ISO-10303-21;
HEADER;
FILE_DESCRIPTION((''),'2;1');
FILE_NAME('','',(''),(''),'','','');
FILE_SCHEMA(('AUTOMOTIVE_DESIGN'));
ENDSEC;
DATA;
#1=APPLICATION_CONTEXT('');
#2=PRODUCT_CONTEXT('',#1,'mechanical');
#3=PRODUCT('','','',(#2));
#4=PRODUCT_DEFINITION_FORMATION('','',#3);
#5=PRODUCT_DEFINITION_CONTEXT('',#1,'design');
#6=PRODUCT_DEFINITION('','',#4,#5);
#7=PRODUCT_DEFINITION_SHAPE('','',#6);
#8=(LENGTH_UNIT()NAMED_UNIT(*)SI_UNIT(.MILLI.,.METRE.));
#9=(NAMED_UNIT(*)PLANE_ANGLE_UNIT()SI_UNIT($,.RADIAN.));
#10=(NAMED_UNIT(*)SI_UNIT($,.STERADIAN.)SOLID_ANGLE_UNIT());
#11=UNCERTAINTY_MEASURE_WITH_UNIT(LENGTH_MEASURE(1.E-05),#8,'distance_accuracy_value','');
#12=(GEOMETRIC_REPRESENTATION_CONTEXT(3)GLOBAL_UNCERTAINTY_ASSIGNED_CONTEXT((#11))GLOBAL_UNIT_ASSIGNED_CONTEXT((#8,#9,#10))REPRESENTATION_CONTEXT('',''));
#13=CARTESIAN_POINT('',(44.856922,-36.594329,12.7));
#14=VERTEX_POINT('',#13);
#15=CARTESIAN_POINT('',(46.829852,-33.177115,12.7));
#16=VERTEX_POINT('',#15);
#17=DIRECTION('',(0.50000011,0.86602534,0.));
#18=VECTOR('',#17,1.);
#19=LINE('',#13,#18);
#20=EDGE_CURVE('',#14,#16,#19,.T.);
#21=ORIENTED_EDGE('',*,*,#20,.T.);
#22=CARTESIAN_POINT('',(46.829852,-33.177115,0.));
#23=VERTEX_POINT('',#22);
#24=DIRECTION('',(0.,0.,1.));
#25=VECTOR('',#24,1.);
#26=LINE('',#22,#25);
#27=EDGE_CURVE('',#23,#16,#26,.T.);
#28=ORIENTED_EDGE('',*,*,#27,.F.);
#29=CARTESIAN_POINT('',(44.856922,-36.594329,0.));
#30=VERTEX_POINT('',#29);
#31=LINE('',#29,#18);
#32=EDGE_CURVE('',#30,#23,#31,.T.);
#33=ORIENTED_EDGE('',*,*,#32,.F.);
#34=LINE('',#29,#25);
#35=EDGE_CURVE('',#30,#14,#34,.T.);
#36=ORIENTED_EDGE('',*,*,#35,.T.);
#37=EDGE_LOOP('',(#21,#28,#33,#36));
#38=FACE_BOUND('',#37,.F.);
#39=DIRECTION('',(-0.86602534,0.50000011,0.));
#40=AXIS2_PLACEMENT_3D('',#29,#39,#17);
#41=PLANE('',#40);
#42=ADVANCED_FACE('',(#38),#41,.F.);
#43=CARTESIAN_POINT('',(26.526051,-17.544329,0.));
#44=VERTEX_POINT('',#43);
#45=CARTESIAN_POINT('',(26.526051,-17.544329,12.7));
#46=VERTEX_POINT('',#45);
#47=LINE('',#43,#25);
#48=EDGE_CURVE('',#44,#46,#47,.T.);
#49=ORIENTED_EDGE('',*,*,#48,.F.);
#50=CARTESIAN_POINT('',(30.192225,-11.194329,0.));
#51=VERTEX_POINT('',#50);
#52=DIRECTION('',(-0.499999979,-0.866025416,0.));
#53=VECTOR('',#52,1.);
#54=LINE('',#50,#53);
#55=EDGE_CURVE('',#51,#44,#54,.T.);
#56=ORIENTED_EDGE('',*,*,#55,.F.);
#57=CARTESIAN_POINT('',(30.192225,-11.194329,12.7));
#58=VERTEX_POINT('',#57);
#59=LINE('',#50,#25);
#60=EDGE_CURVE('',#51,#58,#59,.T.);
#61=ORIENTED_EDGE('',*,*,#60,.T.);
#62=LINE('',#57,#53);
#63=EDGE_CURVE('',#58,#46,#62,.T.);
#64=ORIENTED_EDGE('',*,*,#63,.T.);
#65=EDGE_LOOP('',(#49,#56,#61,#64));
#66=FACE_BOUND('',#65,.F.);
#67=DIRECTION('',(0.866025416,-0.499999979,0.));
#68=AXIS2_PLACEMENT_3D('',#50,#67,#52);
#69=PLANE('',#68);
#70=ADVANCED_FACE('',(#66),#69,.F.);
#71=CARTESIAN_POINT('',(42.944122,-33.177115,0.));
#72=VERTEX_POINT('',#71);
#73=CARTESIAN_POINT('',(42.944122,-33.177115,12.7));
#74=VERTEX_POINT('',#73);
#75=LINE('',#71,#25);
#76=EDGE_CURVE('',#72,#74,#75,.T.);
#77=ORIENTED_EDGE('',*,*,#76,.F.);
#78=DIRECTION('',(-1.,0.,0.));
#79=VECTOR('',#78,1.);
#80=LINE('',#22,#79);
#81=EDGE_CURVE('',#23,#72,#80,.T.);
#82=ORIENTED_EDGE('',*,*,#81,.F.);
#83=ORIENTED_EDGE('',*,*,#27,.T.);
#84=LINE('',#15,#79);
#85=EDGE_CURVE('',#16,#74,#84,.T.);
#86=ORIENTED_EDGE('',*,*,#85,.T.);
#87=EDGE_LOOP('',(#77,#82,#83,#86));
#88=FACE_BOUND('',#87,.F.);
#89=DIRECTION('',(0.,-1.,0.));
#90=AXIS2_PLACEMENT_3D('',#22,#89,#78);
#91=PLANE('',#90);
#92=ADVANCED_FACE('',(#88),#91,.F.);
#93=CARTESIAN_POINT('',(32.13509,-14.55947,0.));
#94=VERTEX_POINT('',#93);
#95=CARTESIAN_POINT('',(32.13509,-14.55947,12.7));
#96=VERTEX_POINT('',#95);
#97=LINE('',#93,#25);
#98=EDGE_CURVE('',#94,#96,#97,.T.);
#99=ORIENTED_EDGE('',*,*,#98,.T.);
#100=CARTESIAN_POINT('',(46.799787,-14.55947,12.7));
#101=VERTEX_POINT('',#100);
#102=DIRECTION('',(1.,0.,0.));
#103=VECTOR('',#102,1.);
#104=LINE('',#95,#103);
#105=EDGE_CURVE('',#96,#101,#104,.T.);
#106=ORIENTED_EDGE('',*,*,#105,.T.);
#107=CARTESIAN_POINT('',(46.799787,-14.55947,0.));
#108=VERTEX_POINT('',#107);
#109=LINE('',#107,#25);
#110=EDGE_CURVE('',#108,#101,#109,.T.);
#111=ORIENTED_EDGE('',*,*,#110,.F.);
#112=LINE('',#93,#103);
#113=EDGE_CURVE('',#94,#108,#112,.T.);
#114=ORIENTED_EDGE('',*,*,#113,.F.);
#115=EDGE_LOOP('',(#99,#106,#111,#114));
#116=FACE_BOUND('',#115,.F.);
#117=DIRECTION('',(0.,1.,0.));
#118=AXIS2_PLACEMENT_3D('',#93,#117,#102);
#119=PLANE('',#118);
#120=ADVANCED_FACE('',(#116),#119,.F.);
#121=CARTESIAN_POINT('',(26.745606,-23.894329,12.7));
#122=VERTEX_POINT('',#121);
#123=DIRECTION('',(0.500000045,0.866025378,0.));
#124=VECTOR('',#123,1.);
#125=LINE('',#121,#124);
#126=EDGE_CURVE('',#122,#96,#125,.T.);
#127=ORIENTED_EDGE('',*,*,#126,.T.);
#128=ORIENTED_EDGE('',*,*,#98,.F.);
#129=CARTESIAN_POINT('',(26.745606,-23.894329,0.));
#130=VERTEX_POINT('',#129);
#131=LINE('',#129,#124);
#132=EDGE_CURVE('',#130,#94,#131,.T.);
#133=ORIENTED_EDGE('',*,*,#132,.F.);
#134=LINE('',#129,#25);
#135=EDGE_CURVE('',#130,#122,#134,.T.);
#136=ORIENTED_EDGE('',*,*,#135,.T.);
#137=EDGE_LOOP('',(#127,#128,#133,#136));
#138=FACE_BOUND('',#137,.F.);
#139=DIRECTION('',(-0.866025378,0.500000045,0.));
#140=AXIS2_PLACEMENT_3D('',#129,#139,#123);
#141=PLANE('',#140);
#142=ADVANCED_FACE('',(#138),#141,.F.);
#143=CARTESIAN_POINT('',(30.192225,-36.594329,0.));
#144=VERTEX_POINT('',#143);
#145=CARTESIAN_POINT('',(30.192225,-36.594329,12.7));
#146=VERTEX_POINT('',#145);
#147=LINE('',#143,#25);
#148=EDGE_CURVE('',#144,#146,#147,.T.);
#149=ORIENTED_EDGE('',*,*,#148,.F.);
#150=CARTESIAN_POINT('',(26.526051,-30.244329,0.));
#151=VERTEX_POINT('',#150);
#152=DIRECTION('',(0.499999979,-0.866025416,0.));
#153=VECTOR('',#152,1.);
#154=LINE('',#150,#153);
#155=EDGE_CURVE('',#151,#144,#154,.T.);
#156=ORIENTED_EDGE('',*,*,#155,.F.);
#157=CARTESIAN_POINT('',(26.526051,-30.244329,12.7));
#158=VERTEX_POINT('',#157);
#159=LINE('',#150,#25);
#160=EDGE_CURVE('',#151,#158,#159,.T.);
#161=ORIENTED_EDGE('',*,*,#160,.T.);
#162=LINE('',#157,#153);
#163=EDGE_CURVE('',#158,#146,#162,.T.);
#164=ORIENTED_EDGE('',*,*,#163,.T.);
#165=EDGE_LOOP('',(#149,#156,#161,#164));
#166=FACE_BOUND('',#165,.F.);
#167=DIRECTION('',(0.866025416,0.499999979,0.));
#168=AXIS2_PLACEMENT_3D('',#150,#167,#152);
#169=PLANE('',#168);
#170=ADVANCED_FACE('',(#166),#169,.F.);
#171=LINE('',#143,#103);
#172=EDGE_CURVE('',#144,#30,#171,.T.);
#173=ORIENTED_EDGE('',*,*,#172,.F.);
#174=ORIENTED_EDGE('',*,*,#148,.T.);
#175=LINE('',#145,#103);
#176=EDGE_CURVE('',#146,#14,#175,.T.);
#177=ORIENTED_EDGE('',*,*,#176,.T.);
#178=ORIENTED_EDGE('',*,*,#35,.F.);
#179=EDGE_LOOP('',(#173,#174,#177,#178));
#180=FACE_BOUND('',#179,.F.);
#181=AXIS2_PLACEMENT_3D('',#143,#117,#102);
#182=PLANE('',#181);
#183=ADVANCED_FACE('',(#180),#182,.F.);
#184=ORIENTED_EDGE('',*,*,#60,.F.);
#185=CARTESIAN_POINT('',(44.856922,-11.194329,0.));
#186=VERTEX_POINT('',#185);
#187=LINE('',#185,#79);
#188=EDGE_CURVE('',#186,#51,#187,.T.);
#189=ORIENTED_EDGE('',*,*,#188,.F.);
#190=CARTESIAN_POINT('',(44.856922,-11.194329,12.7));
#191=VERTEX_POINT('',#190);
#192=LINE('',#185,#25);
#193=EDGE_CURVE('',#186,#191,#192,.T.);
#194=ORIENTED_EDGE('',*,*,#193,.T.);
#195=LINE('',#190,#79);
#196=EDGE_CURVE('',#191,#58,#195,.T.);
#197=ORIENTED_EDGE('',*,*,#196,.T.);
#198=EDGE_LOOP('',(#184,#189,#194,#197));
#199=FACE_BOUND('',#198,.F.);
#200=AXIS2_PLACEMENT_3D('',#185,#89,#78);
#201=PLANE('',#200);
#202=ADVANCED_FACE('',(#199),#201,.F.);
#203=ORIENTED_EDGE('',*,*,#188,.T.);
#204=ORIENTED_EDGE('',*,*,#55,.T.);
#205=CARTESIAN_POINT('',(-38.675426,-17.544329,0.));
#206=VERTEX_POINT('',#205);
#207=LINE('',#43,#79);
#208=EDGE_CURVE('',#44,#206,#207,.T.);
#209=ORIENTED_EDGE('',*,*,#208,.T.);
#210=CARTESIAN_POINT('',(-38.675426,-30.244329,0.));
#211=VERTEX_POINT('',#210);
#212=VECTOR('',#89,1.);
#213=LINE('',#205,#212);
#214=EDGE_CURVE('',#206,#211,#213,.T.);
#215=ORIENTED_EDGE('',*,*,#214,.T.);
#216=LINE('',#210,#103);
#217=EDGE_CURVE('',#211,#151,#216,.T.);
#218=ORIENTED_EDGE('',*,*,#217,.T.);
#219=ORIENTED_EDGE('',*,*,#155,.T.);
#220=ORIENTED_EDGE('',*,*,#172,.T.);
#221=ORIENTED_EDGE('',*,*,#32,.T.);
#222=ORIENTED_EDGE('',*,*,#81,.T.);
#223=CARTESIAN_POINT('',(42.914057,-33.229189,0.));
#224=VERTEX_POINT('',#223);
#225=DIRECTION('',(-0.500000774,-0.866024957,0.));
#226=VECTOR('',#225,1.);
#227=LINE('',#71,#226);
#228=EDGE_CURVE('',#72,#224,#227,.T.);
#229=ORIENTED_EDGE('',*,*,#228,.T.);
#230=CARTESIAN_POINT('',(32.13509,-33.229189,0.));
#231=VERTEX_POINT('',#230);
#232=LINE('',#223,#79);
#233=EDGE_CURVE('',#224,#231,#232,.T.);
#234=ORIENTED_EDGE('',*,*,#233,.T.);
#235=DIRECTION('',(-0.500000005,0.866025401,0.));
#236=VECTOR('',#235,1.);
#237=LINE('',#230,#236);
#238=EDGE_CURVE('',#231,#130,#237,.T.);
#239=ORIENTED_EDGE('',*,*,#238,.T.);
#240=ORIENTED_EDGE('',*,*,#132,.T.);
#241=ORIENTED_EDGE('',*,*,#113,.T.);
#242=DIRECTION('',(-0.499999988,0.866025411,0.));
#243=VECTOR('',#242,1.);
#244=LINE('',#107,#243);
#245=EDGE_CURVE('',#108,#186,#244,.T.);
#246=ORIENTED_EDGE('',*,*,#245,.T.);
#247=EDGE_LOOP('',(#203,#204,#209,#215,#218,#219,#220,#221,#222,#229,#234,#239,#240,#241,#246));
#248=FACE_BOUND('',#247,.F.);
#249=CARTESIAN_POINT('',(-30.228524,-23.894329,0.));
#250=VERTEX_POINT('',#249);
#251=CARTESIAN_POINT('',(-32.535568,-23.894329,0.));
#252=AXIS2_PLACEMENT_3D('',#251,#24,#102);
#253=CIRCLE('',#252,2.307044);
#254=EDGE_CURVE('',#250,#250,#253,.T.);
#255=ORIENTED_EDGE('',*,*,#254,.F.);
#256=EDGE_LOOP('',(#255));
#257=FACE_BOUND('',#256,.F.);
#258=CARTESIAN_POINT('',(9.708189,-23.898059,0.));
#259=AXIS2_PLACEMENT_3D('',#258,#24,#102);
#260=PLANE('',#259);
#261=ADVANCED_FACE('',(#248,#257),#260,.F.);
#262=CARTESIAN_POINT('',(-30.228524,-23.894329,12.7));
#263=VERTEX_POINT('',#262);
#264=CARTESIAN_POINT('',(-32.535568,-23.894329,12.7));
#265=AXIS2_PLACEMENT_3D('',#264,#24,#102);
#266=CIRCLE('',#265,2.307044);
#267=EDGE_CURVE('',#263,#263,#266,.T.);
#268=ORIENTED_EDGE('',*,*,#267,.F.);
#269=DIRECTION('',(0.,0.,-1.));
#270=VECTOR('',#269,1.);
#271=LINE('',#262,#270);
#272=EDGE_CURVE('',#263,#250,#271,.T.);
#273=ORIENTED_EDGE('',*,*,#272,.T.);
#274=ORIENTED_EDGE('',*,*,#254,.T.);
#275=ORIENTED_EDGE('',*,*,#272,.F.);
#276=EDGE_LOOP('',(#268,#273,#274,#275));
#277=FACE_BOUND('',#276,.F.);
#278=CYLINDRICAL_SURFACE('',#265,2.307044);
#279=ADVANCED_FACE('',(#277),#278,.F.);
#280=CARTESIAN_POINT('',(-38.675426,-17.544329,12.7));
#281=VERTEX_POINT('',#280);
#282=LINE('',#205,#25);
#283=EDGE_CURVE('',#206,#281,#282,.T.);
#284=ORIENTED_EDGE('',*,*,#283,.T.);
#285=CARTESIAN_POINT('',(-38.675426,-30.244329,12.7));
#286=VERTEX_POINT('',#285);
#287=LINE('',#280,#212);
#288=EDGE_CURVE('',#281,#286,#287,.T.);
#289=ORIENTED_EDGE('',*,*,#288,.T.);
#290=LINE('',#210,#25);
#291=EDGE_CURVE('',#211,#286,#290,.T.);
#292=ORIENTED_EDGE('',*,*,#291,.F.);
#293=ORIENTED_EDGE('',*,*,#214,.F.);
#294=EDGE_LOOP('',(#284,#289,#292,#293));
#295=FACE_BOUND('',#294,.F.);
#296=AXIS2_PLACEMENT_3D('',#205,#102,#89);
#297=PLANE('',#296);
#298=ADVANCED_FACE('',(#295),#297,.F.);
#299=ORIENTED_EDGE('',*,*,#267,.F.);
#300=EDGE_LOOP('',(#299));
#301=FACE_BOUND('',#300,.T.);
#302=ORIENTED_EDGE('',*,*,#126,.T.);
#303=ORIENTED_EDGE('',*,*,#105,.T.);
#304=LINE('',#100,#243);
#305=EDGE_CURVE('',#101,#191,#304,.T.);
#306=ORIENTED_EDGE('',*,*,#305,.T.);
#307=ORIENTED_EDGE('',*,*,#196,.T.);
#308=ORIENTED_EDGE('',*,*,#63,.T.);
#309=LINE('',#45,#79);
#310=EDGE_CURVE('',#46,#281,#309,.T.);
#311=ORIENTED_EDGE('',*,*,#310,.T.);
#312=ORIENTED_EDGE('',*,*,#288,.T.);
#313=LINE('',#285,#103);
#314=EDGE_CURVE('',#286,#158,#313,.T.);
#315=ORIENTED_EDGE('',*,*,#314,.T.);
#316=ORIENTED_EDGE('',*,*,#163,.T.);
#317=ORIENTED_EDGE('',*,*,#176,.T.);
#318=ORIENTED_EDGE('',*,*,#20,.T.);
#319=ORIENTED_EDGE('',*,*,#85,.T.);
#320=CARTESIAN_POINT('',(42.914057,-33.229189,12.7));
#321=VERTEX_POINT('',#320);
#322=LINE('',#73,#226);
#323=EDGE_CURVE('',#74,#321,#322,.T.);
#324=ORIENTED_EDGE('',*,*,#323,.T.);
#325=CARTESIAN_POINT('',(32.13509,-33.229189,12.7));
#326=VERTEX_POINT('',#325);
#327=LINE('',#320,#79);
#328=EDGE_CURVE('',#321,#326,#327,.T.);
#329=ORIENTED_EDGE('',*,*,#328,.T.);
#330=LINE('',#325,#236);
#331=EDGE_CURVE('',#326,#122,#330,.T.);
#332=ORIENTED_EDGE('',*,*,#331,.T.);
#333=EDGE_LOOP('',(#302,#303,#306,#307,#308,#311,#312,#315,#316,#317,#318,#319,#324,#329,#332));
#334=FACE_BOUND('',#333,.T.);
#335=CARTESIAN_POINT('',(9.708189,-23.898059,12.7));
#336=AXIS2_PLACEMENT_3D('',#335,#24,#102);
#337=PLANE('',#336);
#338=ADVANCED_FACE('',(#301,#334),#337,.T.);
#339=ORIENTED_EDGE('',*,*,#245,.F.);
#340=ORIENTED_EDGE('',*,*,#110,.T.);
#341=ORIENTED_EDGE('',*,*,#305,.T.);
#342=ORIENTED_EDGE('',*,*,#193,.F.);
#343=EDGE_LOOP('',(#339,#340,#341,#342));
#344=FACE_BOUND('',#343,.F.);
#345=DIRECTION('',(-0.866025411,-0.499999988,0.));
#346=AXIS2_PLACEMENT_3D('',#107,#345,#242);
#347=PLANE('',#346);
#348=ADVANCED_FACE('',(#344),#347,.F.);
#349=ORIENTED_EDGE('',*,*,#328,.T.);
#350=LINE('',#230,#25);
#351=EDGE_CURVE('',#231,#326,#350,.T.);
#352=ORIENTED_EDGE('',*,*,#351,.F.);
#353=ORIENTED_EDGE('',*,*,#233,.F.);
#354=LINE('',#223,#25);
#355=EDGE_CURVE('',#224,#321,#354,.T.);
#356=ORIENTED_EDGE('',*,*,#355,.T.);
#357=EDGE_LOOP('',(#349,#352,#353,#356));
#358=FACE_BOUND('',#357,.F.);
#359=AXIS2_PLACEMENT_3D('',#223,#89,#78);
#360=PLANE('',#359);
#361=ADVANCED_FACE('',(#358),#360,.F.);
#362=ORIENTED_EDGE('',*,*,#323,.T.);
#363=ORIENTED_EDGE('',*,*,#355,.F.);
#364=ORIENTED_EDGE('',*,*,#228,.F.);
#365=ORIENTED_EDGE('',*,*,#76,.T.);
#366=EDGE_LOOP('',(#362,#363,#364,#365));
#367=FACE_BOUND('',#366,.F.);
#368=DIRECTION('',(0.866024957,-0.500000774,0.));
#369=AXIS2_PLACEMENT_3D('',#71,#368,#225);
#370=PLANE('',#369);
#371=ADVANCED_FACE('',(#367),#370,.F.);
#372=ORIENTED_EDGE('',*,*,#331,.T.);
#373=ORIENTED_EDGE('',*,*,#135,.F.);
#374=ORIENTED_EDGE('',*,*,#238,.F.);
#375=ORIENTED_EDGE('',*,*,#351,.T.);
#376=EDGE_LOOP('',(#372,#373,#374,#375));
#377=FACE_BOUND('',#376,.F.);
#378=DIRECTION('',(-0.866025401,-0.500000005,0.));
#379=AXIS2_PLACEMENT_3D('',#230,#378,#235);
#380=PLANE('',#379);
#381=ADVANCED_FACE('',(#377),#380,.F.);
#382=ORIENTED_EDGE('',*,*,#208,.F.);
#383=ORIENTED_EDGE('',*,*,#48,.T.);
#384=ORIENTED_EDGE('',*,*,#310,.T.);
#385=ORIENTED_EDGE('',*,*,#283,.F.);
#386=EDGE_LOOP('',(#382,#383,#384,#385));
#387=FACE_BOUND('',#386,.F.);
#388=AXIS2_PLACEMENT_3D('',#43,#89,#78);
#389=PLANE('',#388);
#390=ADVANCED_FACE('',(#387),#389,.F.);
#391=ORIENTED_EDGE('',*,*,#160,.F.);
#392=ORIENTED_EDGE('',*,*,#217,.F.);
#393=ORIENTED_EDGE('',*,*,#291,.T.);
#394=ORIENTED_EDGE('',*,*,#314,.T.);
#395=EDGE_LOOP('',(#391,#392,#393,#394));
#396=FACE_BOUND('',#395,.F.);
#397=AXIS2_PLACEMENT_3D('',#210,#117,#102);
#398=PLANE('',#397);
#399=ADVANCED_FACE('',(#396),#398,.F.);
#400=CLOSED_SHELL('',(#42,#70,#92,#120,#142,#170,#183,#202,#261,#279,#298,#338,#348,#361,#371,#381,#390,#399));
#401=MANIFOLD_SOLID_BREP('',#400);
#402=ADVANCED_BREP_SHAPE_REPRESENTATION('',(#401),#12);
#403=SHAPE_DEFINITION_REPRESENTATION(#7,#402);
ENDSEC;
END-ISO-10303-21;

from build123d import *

# Parameters (mm, degrees)
F1_DEPTH = 12.7
F2_R     = 2.307044
F3_DEPTH = 25.4


with BuildPart() as f1:
    # F0 (on Top) → F1 (new body)
    with BuildSketch(Plane.XY):
        Polygon((26.526051, -17.544329), (-38.675426, -17.544329), (-38.675426, -30.244329), (26.526051, -30.244329), (30.192225, -36.594329), (44.856922, -36.594329), (46.829852, -33.177115), (42.944122, -33.177115), (42.914057, -33.229189), (32.13509, -33.229189), (26.745606, -23.894329), (32.13509, -14.55947), (42.914057, -14.55947), (46.799787, -14.55947), (44.856922, -11.194329), (30.192225, -11.194329), align=None)
    extrude(amount=F1_DEPTH)

    # F2 (on face) → F3 (cut)
    with BuildSketch(Plane.XY.offset(12.7)):
        with Locations((-32.535568, -23.894329)):
            Circle(F2_R)
    extrude(amount=-F3_DEPTH, mode=Mode.SUBTRACT)


solid = f1.part
